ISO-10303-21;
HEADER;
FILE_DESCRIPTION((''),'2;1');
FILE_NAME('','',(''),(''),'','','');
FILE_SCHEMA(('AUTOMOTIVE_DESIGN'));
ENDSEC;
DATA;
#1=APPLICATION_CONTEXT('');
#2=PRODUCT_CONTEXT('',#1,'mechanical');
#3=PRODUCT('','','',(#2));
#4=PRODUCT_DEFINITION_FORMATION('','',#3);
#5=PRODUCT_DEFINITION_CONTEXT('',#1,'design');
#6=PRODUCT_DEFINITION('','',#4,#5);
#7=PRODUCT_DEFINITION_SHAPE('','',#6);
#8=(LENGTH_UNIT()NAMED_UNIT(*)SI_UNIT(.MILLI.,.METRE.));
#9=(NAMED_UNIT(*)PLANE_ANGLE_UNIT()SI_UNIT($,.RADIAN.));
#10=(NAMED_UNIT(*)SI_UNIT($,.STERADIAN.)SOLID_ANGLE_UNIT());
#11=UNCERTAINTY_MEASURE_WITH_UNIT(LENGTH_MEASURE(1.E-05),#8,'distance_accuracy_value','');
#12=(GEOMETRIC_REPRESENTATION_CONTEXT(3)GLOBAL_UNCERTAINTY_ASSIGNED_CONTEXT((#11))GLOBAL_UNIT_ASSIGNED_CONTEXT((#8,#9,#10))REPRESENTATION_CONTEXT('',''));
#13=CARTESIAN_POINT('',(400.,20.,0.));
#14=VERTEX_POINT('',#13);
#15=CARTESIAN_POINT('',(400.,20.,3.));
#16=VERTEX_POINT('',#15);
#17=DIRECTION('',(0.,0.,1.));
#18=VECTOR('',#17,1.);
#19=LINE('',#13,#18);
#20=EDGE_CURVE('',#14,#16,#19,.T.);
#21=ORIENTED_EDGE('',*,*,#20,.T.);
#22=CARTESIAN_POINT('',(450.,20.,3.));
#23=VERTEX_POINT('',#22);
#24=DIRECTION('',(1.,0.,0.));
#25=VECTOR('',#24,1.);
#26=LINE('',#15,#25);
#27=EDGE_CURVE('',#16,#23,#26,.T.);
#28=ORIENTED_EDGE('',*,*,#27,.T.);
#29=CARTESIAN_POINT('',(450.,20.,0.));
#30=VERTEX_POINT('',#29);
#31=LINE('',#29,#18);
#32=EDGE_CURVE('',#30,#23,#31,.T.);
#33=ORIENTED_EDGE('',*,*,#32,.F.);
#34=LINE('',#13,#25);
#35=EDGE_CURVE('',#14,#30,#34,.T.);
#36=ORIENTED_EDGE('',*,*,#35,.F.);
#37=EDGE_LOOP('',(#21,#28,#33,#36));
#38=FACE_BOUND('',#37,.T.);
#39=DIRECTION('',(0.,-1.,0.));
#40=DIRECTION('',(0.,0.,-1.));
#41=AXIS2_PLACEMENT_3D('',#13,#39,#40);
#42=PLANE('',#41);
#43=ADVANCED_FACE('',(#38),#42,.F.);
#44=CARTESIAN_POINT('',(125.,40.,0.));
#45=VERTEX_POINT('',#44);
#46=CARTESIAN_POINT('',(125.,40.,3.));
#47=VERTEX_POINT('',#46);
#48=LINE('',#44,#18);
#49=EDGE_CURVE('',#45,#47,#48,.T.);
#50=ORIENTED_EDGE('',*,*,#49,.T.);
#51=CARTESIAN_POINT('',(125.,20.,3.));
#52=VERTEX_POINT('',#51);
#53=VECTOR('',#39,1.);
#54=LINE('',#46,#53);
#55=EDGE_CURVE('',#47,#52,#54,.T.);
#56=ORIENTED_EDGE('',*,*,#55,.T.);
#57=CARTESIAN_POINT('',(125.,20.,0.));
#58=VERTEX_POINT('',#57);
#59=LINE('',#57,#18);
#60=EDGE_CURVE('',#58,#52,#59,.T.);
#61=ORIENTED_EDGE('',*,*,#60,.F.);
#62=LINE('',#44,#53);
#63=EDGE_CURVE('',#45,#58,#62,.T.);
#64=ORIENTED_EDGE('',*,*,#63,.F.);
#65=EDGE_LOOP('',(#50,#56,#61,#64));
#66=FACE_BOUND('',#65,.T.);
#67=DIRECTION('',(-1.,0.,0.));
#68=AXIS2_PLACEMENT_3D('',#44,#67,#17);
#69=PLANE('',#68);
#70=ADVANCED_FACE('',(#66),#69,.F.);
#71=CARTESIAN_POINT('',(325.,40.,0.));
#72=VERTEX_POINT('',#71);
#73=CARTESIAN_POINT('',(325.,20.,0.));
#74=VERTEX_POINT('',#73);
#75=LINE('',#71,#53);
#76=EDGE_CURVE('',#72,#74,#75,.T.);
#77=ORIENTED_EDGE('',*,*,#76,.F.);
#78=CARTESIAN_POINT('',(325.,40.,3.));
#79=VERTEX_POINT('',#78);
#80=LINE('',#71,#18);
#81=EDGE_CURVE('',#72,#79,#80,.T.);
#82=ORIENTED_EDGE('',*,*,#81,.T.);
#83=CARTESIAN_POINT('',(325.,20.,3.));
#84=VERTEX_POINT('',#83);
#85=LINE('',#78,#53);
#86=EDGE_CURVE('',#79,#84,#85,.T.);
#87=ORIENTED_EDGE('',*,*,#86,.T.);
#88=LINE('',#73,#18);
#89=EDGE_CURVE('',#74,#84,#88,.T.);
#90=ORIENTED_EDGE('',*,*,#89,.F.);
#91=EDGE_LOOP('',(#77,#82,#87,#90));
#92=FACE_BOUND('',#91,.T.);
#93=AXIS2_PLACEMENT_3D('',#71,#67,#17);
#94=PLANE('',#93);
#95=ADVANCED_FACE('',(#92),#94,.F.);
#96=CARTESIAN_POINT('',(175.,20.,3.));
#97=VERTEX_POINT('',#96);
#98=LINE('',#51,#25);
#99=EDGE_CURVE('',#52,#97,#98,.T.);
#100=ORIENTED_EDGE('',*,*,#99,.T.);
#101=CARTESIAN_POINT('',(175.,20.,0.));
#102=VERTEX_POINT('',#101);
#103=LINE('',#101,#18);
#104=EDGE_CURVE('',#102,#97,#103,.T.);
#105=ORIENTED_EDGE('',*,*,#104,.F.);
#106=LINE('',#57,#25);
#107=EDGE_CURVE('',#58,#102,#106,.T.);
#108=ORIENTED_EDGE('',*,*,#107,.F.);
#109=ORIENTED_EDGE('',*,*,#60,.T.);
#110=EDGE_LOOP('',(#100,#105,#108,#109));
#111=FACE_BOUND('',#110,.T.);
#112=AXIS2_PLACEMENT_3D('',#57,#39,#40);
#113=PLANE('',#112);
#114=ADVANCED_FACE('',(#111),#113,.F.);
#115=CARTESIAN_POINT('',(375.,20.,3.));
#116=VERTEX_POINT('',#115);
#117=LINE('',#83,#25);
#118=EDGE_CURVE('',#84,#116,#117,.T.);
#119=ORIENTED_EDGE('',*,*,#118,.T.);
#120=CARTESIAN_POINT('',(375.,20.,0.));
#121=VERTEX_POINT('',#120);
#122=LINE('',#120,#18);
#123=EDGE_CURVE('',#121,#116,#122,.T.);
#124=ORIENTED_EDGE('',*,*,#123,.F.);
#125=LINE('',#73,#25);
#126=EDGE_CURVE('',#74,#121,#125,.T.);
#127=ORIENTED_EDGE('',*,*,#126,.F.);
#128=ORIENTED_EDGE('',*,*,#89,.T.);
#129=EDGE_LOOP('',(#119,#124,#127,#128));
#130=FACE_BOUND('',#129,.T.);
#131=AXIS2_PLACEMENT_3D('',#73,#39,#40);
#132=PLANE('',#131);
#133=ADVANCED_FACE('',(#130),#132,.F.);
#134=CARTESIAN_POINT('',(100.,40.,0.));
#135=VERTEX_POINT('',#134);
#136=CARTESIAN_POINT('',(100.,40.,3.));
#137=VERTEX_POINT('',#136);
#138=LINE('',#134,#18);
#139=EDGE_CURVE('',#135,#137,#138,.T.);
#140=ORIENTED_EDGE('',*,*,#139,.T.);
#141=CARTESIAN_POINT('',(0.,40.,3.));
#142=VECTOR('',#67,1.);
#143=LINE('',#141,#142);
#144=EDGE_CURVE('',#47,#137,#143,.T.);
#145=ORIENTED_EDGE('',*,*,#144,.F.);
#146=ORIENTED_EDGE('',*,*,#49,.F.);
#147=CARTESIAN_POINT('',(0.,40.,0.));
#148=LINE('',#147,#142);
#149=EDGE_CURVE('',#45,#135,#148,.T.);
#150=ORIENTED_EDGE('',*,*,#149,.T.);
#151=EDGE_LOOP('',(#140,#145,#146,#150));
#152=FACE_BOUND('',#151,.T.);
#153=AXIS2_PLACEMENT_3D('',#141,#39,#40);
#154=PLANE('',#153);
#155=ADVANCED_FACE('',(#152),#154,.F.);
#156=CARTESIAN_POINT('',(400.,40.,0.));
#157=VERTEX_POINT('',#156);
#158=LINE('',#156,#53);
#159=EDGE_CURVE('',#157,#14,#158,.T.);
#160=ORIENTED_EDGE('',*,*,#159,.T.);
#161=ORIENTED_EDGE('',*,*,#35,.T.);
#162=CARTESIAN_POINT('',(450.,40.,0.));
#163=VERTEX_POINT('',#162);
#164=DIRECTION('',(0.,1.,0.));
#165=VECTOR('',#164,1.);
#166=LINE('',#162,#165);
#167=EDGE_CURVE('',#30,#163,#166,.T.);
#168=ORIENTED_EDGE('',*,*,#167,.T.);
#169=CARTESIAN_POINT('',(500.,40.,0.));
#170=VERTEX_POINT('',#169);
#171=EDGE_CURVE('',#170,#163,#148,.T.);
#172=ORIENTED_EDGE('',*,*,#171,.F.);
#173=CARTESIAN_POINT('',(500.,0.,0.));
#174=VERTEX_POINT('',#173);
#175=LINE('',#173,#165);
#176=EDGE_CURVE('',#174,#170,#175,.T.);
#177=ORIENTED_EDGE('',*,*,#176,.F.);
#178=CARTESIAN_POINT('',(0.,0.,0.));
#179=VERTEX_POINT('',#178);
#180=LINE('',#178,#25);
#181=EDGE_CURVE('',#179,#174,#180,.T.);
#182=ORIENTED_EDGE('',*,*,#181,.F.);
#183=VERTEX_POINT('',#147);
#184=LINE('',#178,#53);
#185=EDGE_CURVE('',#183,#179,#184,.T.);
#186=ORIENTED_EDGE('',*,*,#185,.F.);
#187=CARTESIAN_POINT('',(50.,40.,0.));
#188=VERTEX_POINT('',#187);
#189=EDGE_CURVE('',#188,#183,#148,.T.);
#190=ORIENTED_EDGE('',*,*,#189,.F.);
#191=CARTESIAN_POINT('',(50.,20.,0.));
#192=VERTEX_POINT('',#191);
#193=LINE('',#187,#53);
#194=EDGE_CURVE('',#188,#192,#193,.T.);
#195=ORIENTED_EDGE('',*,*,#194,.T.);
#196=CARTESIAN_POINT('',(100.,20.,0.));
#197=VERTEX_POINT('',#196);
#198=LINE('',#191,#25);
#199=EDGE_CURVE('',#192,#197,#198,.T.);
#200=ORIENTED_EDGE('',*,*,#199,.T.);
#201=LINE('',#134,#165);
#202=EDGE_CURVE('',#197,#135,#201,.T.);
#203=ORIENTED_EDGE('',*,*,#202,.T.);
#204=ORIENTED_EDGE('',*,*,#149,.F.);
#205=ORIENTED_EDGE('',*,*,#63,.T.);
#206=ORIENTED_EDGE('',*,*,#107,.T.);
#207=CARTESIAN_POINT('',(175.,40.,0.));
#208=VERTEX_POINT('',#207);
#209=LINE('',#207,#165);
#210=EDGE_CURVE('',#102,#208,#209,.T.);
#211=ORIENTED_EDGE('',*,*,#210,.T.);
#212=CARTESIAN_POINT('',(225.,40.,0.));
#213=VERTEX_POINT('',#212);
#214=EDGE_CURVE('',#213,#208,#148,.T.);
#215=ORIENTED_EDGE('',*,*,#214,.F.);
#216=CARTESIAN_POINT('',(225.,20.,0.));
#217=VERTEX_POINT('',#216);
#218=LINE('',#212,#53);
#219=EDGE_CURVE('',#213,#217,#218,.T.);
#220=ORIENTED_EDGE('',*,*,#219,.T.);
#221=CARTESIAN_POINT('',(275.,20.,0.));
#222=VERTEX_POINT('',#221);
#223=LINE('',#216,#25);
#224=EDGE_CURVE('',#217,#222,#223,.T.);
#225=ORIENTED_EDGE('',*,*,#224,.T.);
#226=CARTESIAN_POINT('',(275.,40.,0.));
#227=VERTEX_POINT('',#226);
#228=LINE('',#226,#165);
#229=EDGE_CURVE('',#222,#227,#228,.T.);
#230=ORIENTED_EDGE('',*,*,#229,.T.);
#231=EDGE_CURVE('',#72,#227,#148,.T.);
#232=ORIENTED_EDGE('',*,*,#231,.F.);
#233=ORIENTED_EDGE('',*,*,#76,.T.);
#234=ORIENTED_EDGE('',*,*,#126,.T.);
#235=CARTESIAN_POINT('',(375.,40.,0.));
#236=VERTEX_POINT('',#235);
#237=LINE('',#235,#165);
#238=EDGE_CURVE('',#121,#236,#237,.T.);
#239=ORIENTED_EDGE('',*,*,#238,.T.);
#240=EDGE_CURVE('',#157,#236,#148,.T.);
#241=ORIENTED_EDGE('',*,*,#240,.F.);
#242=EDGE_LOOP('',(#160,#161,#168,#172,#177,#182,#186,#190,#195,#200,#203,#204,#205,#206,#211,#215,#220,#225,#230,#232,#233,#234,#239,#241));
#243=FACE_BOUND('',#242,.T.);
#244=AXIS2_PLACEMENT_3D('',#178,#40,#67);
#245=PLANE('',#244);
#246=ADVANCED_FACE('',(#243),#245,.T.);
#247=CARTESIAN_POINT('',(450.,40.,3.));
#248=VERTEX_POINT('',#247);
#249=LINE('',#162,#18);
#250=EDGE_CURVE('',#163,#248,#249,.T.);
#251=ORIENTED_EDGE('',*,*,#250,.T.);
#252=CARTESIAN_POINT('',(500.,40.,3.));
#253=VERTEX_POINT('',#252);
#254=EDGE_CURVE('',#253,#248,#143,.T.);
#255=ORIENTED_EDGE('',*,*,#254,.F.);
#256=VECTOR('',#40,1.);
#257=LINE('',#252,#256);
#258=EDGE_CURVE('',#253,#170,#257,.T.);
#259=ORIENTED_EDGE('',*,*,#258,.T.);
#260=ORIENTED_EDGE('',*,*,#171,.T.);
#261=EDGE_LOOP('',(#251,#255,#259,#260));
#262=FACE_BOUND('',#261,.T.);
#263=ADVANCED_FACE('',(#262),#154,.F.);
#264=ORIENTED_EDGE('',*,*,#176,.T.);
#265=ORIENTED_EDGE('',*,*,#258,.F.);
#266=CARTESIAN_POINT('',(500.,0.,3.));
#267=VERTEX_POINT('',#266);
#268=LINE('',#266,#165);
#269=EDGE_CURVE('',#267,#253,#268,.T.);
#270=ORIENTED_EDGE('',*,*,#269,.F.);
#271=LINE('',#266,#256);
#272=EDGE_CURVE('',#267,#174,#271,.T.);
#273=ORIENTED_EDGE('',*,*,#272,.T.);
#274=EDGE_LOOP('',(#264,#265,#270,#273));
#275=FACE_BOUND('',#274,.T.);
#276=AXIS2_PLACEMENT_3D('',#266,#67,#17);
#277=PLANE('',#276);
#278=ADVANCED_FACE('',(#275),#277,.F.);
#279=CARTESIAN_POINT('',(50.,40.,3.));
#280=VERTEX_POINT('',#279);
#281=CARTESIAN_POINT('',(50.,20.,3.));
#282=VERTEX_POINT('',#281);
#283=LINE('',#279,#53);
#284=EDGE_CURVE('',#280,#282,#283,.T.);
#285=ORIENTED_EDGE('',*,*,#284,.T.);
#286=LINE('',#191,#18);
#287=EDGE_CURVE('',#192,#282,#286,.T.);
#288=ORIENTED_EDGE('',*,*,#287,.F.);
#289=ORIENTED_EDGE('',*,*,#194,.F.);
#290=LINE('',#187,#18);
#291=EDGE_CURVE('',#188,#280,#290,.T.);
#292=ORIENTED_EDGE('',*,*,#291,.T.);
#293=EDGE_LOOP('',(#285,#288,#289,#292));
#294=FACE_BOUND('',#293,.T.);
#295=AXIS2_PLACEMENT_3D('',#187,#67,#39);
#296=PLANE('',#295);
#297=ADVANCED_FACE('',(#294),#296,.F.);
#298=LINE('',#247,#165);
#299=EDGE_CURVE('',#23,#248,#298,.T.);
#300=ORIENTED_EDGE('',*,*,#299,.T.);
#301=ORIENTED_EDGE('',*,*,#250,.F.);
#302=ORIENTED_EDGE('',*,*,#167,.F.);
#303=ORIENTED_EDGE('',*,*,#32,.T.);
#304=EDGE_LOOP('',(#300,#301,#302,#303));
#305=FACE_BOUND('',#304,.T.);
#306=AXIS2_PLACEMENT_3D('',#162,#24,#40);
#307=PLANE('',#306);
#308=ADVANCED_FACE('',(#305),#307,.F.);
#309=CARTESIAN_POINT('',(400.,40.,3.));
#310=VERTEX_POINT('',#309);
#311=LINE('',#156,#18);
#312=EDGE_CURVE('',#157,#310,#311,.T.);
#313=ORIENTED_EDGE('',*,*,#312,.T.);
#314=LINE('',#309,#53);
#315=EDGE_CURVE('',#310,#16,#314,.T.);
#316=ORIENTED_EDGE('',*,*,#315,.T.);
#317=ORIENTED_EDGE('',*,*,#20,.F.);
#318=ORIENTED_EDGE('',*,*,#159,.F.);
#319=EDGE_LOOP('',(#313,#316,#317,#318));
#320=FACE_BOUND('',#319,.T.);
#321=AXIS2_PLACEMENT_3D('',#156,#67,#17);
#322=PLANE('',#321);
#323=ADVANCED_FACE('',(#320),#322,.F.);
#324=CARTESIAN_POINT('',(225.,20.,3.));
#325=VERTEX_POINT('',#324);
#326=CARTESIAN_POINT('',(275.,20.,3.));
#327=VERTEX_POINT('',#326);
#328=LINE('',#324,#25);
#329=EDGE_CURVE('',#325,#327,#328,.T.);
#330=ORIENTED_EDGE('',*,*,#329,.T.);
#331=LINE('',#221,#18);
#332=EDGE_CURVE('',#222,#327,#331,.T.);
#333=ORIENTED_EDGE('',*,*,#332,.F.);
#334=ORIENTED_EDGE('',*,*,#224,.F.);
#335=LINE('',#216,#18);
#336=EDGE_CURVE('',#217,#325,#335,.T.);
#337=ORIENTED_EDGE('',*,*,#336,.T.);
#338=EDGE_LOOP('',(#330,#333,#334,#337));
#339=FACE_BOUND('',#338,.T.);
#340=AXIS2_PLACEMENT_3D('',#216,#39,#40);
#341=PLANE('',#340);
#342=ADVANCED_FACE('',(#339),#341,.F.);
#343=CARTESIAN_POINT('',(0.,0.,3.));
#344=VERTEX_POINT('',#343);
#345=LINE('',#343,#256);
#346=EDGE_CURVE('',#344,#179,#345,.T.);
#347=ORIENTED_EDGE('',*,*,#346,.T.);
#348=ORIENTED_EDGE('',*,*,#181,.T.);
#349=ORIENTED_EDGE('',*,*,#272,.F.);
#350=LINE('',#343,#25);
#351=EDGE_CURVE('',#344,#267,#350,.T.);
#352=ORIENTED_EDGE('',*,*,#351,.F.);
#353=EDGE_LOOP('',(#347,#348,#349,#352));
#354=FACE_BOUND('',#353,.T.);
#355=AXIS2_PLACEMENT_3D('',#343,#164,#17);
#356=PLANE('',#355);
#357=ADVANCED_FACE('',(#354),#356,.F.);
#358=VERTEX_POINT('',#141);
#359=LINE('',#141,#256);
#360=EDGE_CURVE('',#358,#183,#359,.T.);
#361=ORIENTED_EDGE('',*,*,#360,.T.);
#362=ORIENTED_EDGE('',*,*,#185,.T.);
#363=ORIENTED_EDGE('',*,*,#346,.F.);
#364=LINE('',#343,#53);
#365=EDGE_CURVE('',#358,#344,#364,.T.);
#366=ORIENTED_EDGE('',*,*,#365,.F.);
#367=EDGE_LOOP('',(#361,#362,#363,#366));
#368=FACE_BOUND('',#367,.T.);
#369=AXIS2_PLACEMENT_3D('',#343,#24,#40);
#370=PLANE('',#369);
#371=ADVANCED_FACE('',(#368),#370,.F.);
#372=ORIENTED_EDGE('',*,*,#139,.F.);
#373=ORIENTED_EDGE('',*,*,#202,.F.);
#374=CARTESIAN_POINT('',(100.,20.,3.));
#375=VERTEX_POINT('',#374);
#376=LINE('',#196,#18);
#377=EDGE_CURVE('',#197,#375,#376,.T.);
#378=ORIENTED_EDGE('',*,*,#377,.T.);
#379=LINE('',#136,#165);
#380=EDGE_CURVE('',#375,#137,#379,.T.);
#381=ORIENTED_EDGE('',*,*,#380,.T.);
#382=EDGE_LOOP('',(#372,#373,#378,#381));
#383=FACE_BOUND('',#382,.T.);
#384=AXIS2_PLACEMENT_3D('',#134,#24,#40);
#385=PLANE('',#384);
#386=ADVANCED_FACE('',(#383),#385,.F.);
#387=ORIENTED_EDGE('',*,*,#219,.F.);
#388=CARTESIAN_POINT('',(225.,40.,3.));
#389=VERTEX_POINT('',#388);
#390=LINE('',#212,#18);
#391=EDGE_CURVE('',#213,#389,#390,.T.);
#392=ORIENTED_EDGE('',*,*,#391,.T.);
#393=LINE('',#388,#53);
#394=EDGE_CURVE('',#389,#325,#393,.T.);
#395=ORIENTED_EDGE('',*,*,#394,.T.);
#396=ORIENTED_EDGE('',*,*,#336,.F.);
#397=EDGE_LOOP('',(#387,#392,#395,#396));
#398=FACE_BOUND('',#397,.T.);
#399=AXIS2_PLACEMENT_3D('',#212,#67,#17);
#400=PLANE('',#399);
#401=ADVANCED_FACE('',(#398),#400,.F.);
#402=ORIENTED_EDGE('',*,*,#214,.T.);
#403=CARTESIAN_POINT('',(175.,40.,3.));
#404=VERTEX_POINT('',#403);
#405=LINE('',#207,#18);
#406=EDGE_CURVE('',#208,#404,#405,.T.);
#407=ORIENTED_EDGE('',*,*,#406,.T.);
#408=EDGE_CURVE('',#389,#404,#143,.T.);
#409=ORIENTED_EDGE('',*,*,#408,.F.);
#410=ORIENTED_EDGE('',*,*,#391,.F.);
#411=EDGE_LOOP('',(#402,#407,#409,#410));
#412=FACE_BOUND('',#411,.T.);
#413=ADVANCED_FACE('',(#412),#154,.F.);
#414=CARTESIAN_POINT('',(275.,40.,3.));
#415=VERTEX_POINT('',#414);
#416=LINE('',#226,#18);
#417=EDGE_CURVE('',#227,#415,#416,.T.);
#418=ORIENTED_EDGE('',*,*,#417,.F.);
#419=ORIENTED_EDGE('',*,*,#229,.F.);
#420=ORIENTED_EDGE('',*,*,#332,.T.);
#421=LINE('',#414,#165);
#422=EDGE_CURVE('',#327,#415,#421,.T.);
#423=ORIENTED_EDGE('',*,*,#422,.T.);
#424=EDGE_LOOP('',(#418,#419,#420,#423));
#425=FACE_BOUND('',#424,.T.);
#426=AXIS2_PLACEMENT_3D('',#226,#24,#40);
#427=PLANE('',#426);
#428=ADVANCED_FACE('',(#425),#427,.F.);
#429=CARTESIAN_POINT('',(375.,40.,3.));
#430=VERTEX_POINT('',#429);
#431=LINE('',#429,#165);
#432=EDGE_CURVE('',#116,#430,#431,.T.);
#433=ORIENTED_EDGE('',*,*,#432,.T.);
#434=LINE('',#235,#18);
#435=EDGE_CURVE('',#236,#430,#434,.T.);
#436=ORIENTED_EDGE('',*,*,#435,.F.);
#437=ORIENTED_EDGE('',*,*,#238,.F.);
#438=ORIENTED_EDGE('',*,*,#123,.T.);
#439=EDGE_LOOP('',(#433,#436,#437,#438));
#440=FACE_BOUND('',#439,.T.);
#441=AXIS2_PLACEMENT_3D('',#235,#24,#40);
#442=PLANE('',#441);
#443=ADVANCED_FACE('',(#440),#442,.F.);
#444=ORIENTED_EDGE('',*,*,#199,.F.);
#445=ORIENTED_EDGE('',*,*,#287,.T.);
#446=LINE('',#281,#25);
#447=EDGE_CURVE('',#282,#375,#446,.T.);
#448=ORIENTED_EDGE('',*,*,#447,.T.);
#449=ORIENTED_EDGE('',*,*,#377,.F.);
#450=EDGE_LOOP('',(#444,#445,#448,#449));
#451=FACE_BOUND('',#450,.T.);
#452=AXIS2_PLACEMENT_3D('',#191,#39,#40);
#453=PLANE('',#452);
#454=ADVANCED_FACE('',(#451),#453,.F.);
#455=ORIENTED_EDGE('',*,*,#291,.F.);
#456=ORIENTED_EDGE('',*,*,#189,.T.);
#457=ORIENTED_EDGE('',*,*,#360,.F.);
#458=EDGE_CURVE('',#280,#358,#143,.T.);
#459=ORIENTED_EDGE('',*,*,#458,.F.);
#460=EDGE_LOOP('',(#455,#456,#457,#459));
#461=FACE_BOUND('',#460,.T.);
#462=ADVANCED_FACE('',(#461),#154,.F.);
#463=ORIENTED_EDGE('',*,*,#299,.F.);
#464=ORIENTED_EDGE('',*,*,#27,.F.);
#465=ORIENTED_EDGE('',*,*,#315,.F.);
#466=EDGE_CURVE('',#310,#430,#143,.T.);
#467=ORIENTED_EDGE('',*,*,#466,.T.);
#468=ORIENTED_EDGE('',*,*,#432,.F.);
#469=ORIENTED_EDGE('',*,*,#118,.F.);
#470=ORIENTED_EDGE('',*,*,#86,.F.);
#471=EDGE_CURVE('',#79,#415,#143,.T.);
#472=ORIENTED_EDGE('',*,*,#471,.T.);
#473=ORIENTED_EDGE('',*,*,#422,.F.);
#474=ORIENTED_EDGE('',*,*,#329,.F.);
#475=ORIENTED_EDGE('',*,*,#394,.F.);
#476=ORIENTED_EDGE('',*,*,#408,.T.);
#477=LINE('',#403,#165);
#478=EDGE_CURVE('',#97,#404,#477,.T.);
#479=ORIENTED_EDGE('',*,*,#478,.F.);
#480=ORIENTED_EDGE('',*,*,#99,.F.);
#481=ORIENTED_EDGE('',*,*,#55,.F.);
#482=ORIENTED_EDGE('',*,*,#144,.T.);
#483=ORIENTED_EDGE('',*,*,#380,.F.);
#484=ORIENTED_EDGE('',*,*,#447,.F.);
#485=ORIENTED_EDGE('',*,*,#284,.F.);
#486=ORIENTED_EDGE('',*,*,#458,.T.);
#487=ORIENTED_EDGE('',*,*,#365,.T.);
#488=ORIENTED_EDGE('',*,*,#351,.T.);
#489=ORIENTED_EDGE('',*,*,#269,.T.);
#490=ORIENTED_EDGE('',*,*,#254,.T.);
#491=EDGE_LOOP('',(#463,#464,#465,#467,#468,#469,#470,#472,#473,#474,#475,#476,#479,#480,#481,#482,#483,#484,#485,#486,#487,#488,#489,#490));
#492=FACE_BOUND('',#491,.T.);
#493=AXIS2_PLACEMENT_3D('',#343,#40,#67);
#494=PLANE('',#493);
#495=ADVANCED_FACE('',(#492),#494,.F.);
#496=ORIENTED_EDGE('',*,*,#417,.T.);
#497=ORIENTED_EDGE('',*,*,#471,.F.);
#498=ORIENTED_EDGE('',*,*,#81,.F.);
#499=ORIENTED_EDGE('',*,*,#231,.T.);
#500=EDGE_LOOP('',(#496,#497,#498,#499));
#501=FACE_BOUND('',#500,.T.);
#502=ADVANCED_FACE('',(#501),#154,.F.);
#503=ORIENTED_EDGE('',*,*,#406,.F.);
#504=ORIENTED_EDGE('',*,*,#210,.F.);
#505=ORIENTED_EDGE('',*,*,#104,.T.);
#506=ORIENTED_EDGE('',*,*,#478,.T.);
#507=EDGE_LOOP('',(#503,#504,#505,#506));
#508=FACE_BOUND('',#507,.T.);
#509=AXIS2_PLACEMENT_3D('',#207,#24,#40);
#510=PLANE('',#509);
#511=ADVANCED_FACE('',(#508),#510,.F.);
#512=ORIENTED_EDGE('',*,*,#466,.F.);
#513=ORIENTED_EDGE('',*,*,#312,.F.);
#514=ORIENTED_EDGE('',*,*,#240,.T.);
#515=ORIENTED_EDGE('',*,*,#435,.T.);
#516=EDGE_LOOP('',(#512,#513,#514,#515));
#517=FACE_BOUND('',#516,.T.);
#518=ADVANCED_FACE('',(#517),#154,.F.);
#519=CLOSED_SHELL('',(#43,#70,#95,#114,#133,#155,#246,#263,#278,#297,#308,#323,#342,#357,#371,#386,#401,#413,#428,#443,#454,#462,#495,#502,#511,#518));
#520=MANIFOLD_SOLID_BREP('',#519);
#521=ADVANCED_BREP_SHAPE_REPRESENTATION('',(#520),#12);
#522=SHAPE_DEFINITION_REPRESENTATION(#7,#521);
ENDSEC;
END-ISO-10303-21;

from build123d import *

# Parameters (mm, degrees)
SKETCH1_W           = 500
SKETCH1_H           = 40
BOSS_EXTRUDE1_DEPTH = 3
SKETCH3_W           = 50
SKETCH3_H           = 20
CUT_EXTRUDE2_DEPTH  = 4


with BuildPart() as part:
    # Sketch1 → Boss-Extrude1 (new body)
    with BuildSketch(Plane.XY):
        with Locations((250, 20)):
            Rectangle(SKETCH1_W, SKETCH1_H)
    extrude(amount=BOSS_EXTRUDE1_DEPTH)

    # Sketch3 → Cut-Extrude2 (cut, through all)
    with BuildSketch(Plane.XY.offset(3)):
        with Locations((75, 30)):
            Rectangle(SKETCH3_W, SKETCH3_H)
        with Locations((150, 30)):
            Rectangle(SKETCH3_W, SKETCH3_H)
        with Locations((250, 30)):
            Rectangle(SKETCH3_W, SKETCH3_H)
        with Locations((425, 30)):
            Rectangle(SKETCH3_W, SKETCH3_H)
        with Locations((350, 30)):
            Rectangle(SKETCH3_W, SKETCH3_H)
    extrude(amount=-CUT_EXTRUDE2_DEPTH, mode=Mode.SUBTRACT)


solid = part.part
